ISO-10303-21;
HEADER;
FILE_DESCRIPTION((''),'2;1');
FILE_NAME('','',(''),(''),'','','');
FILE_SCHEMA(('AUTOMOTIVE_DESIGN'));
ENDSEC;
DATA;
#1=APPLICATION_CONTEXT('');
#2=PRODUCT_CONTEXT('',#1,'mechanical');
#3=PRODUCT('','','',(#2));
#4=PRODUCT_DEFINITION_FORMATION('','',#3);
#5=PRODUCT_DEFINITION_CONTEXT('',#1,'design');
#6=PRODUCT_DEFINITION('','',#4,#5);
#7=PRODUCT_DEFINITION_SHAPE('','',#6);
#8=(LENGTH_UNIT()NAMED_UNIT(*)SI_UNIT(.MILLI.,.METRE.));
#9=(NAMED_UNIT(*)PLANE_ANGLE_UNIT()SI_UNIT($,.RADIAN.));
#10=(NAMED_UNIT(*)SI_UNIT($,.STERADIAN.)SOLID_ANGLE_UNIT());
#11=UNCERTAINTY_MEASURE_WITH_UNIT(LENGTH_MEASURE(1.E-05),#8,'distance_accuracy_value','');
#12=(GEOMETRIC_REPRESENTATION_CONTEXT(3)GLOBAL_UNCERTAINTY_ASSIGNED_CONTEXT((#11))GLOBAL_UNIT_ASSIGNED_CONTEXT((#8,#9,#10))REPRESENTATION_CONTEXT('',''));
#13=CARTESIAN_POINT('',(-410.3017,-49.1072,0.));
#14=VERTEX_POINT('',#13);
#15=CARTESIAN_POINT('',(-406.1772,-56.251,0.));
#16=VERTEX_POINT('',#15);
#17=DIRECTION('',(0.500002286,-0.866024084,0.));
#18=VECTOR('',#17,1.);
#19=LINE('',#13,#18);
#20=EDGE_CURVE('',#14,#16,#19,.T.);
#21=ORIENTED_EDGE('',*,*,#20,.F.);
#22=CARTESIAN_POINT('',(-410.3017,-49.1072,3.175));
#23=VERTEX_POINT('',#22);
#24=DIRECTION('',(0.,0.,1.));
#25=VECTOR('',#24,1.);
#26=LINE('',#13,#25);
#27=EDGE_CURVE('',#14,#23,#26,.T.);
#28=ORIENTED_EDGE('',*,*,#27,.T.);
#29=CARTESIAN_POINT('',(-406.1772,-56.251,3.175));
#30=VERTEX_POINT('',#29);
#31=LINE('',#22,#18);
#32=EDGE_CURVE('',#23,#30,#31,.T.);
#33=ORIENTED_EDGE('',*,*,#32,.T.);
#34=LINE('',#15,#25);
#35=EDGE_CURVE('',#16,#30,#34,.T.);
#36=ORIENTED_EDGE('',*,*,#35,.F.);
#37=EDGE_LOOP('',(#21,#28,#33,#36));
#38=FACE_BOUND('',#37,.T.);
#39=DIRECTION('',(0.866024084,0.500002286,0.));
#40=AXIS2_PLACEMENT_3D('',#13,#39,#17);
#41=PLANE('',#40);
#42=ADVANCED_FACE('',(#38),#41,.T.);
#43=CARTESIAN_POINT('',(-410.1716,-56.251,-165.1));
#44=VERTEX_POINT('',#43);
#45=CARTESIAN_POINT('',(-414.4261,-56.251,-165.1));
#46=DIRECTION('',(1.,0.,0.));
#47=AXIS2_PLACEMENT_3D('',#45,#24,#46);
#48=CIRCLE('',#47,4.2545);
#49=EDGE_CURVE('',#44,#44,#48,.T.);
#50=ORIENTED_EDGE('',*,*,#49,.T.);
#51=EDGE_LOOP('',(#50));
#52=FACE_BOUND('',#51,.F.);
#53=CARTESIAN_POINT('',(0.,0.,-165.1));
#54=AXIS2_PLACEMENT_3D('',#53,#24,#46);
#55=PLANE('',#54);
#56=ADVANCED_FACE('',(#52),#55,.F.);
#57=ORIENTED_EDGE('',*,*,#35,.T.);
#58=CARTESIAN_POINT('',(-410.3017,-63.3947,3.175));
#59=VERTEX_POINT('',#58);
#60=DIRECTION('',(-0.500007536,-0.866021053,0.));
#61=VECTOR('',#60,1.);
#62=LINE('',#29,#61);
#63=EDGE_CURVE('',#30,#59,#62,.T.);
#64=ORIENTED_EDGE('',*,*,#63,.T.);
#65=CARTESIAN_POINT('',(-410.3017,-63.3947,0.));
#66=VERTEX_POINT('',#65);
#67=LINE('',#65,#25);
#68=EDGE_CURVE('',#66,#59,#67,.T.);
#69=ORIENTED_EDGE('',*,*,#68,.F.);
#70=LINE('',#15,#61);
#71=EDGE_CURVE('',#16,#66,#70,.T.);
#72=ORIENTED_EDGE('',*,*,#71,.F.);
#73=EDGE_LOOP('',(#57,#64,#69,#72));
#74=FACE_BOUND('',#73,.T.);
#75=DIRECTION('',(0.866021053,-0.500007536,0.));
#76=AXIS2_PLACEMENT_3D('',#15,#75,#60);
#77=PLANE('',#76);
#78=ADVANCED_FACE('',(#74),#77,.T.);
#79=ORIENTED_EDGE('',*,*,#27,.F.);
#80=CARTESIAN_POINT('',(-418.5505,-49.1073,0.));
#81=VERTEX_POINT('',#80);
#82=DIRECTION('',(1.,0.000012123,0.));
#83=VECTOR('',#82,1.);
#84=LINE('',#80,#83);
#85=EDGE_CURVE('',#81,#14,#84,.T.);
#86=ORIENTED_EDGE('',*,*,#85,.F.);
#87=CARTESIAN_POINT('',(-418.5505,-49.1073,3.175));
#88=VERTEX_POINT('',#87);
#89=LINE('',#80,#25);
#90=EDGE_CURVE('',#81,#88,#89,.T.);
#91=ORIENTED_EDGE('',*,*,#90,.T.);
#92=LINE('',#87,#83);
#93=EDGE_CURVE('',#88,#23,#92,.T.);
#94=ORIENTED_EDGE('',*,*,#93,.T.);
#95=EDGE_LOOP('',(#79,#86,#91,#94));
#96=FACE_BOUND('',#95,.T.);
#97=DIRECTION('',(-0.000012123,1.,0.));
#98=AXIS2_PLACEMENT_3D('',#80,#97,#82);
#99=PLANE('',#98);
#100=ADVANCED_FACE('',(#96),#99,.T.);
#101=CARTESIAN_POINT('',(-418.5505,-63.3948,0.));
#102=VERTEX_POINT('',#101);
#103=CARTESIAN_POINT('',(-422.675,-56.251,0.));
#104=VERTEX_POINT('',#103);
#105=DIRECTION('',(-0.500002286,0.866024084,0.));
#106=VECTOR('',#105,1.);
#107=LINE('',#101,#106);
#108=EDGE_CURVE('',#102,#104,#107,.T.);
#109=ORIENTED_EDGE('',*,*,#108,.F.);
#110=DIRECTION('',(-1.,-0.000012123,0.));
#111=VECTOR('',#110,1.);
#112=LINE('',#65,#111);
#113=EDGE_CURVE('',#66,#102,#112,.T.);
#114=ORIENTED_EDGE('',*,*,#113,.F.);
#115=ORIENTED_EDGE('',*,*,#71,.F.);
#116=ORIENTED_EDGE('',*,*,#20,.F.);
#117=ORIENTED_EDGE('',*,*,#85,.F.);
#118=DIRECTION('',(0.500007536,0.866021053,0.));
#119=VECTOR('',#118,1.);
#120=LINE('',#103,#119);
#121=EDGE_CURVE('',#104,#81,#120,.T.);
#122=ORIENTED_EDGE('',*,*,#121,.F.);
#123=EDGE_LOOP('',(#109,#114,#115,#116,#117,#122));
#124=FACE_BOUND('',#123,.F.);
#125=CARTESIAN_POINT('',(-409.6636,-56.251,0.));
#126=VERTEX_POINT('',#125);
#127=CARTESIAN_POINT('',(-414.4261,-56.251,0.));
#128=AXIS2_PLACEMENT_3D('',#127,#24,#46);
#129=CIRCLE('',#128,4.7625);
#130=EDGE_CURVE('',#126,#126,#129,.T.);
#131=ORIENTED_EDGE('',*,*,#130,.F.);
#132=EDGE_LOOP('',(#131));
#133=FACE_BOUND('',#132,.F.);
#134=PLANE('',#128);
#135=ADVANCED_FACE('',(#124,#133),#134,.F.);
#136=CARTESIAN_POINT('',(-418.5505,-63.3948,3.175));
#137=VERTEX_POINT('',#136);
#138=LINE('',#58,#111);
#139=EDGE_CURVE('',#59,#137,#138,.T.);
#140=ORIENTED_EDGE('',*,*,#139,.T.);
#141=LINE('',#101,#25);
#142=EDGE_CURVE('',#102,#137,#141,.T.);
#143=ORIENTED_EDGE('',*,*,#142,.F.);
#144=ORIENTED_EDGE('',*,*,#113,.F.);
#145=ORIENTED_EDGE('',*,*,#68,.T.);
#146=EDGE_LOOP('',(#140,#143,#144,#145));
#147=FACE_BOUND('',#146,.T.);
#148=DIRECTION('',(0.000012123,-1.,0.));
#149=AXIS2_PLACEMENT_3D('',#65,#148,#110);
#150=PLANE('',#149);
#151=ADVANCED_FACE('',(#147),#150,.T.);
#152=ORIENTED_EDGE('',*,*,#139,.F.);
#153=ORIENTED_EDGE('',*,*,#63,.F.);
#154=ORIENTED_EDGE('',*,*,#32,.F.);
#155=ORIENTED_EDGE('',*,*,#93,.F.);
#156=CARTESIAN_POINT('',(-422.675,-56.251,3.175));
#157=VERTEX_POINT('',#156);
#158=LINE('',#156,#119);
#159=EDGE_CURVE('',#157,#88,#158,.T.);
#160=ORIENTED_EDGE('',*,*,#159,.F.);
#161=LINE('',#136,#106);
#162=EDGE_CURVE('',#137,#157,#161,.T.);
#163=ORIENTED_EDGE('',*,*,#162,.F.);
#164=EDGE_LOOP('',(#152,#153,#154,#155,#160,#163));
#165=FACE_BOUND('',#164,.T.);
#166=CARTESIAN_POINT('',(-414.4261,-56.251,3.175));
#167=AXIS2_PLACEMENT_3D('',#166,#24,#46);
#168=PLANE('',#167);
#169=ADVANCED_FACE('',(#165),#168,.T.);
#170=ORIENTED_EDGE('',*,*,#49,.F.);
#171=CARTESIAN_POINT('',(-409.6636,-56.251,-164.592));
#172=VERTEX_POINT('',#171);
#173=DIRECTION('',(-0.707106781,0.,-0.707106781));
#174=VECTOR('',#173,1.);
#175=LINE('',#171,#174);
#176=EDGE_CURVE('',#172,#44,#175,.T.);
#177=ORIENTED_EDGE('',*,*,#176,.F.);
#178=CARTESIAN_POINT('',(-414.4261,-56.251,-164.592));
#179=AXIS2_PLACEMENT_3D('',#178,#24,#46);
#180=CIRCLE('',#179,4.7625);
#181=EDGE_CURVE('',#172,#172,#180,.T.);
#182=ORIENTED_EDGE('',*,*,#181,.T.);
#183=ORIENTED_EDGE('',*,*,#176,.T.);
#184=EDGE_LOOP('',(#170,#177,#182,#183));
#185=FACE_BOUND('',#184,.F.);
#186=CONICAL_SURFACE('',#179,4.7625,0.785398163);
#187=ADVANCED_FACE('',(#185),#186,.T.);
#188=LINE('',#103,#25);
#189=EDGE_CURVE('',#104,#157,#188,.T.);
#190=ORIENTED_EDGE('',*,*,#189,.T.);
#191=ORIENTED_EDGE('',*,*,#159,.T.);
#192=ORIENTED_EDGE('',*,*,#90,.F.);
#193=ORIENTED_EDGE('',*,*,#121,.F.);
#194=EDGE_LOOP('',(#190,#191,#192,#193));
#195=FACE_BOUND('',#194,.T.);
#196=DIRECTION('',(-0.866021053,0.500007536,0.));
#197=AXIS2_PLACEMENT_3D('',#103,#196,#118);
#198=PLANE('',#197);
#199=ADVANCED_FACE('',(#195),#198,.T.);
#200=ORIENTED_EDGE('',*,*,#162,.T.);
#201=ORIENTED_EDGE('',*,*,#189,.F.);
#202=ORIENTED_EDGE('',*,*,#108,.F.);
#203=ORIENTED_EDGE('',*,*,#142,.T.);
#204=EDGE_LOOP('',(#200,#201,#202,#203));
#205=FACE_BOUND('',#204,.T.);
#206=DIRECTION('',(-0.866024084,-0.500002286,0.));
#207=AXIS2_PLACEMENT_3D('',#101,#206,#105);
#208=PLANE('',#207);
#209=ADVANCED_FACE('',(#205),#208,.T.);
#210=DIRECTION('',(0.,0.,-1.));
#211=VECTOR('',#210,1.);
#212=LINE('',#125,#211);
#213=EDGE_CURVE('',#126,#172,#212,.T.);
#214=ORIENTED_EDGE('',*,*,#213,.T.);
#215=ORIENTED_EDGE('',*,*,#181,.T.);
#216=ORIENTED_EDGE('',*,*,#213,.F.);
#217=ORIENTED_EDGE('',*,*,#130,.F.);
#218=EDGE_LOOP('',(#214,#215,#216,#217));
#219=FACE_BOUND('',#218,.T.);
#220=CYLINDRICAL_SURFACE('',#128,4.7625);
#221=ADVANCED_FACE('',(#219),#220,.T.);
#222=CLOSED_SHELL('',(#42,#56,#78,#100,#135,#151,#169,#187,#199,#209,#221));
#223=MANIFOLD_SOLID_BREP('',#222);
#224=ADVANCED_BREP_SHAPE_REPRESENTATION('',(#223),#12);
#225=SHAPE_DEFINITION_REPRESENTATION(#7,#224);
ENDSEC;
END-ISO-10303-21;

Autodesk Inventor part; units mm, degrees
ref_plane "YZ Plane" through (0, 0, 0) normal (1, 0, 0) x (0, 1, 0)
ref_plane "XZ Plane" through (0, 0, 0) normal (0, 1, 0) x (-1, 0, 0)
ref_plane "XY Plane" through (0, 0, 0) normal (0, 0, 1) x (1, 0, 0)
sketch "Sketch1" plane through (0, 0, 0) normal (0, 0, 1) x (1, 0, 0)
  circle A0 centre (-414.4261, -56.251) radius 4.7625
  point P0 (0, 0)
  dimension "d0" = 9.525
extrude "Extrusion1" add sketch "Sketch1" against normal blind 165.1
sketch "Sketch2" plane through (-414.4261, -56.251, 0) normal (0, 0, 1) x (1, 0, 0)
  circle A0 centre (0, 0) radius 4.7625 projected
  line L0 (-8.2489, 0) -> (-4.1244, 7.1437)
  line L1 (-4.1244, 7.1437) -> (4.1244, 7.1438)
  line L2 (4.1244, 7.1438) -> (8.2489, 0)
  line L3 (8.2489, 0) -> (4.1244, -7.1437)
  line L4 (4.1244, -7.1437) -> (-4.1244, -7.1438)
  line L5 (-4.1244, -7.1438) -> (-8.2489, 0)
  point P0 (414.4261, 56.251)
  dimension "d3" = 14.2875
extrude "Extrusion2" add sketch "Sketch2" along normal blind 3.175 contours A0 | L0 L1 L2 L3 L4 L5
thread "Thread1" size "3/8-16 UNC" class "2A" standard "ANSI Unified Screw Threads" length 25.4
chamfer "Chamfer1" distance 0.508 angle 45 1 edges at (-419.1886, -56.251, -165.1)
properties part number "38-16 hexbolt x6500" material "Steel"
